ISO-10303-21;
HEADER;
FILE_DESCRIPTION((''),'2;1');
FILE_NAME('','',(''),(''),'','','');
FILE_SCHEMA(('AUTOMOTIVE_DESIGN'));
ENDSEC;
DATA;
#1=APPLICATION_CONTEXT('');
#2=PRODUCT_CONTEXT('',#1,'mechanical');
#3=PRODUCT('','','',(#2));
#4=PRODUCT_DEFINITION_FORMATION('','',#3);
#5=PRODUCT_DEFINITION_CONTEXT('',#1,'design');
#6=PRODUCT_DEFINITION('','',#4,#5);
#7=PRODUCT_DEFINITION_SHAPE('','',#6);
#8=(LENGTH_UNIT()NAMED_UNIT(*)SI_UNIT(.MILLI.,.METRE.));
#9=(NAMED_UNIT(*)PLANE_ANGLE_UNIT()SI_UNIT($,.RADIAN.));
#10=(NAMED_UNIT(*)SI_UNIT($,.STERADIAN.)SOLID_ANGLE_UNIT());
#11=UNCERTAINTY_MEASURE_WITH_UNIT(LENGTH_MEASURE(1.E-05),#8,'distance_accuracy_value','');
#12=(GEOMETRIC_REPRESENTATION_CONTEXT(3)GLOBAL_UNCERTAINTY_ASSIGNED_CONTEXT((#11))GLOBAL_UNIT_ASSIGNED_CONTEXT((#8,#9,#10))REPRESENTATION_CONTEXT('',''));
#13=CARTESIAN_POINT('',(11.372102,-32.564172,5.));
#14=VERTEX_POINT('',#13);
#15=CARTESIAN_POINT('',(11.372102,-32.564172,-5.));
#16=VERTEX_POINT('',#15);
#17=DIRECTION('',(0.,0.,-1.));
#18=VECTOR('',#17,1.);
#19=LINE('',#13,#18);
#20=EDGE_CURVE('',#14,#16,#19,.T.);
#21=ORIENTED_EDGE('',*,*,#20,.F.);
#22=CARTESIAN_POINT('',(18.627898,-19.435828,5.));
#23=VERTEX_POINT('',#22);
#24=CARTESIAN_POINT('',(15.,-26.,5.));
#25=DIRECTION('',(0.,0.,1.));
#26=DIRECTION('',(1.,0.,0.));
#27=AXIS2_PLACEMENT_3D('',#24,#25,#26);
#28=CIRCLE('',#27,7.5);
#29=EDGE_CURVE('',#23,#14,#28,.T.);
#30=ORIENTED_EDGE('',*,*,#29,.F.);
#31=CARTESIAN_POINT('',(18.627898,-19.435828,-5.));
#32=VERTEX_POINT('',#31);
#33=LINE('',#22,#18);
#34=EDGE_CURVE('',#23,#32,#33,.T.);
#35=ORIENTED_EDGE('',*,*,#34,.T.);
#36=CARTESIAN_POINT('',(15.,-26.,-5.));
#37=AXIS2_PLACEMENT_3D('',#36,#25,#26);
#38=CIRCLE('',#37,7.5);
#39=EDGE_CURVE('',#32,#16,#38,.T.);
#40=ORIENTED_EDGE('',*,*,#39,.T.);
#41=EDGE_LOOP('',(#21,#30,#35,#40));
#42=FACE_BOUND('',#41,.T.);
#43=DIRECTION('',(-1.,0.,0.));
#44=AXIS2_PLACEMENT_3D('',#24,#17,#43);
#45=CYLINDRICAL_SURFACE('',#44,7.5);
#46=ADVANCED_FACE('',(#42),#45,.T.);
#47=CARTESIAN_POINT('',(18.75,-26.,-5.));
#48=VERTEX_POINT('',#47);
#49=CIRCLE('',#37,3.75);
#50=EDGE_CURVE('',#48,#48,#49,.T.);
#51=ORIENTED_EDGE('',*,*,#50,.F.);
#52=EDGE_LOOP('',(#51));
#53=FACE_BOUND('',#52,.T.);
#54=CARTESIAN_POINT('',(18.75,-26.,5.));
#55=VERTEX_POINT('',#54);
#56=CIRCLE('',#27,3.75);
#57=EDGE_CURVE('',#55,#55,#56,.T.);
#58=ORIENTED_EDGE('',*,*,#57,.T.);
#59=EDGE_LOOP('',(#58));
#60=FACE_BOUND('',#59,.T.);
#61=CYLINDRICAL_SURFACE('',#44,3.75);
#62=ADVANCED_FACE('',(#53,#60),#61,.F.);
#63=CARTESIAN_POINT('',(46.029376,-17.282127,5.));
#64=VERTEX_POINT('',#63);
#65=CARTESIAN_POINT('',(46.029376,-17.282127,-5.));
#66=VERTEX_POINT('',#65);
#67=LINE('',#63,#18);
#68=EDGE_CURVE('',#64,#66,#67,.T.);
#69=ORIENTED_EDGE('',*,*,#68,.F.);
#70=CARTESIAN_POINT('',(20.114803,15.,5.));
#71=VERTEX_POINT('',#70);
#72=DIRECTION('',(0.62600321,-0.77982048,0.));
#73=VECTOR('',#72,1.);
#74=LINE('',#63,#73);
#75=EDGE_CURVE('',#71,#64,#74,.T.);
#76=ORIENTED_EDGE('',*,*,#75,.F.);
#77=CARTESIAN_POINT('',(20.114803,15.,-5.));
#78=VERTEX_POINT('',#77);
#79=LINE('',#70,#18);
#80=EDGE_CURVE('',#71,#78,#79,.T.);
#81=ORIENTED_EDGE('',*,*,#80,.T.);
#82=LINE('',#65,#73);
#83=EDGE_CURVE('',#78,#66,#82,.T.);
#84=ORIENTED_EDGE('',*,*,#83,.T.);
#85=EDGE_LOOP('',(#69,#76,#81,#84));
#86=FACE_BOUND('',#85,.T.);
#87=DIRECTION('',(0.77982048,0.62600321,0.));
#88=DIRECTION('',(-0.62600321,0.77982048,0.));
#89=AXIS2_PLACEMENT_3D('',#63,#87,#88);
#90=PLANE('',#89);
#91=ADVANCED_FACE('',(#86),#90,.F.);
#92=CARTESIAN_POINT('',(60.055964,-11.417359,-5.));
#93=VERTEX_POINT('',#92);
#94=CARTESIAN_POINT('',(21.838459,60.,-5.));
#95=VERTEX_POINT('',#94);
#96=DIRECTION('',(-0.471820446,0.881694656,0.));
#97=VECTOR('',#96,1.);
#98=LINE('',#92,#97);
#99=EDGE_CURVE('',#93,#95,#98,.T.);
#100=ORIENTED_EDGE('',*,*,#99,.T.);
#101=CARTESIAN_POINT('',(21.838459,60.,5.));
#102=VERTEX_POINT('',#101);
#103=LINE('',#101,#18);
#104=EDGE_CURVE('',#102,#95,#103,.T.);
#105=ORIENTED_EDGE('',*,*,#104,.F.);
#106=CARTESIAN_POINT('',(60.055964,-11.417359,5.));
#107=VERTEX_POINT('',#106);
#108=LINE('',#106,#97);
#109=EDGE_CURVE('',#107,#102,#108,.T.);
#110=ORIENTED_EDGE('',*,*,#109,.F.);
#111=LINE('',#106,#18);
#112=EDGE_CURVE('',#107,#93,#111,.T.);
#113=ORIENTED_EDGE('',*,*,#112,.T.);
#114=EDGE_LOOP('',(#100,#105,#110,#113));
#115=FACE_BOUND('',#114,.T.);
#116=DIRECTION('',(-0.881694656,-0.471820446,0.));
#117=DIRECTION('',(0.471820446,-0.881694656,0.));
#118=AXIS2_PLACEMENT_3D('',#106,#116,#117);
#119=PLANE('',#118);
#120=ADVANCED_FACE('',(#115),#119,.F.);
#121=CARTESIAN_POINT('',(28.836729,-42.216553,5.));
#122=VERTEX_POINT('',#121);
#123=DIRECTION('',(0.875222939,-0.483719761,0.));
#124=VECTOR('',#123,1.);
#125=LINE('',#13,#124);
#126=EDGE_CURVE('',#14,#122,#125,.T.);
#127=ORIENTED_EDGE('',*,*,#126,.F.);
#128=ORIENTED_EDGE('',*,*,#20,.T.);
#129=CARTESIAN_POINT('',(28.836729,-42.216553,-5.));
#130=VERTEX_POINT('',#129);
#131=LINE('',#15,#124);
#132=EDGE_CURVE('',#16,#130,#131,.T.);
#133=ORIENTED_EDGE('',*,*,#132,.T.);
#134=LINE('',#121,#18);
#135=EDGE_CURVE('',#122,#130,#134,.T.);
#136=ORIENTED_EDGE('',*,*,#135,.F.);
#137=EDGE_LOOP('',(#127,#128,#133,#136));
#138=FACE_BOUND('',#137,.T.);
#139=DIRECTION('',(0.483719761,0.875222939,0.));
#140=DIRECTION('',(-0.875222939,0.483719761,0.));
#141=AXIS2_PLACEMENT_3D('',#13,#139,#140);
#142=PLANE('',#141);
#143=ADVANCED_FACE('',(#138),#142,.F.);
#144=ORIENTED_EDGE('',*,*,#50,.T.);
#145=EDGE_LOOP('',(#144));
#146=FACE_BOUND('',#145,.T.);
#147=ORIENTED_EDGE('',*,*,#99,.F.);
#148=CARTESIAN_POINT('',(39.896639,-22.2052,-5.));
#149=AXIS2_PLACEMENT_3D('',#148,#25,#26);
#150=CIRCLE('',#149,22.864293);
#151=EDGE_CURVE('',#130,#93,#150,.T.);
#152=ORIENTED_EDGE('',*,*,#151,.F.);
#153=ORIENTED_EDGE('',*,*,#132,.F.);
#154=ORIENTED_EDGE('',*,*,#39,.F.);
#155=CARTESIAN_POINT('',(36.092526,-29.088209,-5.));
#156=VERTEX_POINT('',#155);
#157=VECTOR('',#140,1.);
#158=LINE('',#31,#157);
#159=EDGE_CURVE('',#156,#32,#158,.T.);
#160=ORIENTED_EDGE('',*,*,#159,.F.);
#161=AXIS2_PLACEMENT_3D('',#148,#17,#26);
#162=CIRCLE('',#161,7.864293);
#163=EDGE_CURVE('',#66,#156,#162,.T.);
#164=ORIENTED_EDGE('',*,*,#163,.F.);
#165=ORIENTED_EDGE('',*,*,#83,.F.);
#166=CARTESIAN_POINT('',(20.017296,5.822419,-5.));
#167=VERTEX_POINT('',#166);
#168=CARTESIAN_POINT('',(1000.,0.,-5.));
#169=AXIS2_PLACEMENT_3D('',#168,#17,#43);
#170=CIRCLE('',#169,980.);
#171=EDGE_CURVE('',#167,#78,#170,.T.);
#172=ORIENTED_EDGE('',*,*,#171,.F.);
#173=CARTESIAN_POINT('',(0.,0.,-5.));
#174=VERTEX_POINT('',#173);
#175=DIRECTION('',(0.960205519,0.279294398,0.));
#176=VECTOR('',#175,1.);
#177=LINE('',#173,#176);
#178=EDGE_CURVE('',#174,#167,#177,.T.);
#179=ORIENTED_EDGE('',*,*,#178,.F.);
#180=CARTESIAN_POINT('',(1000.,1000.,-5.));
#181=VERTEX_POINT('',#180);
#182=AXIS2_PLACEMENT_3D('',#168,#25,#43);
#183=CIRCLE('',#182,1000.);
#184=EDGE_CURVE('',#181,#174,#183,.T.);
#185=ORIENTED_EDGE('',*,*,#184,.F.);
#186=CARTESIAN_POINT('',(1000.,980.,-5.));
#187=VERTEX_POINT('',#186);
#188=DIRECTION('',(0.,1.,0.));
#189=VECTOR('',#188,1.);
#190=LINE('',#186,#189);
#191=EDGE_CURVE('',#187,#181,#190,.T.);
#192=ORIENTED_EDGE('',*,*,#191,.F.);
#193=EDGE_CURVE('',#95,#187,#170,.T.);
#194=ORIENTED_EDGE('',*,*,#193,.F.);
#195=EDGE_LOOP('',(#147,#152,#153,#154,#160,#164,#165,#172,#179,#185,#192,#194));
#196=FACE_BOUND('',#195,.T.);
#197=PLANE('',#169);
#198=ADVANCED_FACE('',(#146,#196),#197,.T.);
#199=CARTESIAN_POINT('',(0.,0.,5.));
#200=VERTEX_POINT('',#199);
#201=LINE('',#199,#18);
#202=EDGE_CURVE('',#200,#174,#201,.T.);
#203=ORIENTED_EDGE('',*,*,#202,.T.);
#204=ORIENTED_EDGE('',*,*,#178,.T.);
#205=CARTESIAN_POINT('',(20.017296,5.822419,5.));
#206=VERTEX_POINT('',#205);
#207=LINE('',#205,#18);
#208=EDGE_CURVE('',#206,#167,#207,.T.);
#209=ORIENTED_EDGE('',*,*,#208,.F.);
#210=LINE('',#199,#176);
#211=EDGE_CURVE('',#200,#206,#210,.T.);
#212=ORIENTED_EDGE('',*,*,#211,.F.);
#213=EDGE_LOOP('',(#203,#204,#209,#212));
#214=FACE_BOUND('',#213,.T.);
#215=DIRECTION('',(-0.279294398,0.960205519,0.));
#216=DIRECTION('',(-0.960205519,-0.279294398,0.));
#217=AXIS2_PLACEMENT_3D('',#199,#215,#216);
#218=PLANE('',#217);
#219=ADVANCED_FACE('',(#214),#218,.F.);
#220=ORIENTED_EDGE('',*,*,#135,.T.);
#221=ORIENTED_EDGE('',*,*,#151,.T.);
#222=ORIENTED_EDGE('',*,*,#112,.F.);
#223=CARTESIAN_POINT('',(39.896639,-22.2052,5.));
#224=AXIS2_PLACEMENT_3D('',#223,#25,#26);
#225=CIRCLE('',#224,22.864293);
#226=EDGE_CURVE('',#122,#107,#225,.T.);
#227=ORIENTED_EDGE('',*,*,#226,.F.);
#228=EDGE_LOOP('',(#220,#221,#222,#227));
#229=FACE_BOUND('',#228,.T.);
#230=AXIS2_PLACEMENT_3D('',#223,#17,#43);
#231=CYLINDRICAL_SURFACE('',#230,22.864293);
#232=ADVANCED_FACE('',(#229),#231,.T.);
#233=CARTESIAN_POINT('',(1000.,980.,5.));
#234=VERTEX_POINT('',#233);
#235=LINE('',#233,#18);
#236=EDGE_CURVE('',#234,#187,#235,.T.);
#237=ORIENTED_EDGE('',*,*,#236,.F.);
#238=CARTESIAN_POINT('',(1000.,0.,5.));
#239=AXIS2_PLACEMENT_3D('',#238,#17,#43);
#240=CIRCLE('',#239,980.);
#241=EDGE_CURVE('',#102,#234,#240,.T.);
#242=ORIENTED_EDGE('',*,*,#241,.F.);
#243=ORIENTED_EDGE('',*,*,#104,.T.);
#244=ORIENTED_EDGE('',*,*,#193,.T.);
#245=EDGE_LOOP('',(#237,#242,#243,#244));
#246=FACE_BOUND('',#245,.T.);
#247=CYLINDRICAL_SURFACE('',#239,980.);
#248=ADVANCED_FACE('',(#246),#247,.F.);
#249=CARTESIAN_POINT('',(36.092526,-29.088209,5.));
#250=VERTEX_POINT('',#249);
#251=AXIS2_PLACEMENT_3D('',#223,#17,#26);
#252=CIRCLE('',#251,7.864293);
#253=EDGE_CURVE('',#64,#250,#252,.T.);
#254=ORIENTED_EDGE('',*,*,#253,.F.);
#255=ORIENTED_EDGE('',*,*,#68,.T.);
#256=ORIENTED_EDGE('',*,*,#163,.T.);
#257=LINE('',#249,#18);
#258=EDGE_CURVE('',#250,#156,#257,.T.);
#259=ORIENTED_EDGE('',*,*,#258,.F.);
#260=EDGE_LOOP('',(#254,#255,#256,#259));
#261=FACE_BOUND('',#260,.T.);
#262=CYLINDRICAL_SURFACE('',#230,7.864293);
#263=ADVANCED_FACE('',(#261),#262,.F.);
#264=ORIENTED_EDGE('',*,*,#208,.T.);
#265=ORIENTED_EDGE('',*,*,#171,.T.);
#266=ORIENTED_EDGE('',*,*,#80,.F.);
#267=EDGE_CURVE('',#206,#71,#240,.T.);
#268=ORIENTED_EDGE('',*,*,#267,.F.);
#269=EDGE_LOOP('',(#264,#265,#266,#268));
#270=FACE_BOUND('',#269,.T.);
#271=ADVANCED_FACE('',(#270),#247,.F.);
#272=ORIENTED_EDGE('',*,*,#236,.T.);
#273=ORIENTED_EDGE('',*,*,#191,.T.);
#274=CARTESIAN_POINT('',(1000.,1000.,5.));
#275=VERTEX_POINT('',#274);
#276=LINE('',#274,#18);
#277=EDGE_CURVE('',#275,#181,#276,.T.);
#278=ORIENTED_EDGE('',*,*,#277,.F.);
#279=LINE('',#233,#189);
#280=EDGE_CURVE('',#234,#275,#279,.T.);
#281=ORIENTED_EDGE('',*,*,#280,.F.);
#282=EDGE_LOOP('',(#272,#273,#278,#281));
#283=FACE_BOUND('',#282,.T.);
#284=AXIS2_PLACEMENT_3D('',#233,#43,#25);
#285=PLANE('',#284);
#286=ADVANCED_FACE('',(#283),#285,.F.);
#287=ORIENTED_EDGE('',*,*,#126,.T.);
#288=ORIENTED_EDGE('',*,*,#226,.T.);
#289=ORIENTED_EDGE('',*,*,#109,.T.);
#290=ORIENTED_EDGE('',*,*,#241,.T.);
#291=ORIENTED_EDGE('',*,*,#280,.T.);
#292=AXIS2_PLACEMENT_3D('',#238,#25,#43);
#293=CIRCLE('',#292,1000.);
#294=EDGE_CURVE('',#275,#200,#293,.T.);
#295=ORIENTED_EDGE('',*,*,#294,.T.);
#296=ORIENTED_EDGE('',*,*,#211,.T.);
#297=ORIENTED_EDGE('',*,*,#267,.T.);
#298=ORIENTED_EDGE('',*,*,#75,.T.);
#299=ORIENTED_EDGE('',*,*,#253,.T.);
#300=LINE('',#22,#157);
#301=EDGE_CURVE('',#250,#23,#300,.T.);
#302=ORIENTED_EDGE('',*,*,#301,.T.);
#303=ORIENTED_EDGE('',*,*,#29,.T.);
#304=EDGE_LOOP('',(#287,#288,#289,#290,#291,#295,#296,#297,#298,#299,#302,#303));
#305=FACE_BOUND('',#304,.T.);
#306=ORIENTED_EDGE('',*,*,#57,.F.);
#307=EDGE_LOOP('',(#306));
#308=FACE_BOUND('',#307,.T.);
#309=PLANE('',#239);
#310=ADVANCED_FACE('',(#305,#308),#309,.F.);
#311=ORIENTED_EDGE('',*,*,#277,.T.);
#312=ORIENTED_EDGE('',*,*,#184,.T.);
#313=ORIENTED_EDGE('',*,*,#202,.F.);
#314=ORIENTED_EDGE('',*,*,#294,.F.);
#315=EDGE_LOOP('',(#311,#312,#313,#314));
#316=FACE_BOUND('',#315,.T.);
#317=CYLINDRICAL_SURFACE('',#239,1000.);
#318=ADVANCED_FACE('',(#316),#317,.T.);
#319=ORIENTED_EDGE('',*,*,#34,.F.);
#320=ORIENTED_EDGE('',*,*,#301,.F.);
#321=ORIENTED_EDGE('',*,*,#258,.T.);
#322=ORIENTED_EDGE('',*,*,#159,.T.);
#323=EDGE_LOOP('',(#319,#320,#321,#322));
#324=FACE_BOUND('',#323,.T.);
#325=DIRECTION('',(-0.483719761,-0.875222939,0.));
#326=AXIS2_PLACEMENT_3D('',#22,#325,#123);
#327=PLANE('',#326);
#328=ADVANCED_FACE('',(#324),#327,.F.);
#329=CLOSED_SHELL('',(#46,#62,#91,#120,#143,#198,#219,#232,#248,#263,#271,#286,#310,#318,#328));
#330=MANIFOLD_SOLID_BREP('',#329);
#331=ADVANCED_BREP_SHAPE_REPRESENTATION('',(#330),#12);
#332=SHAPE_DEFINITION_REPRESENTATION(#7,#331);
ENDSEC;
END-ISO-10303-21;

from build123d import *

# Parameters (mm, degrees)
SKETCH5_R           = 3.75
BOSS_EXTRUDE1_DEPTH = 5


with BuildPart() as part:
    # Sketch5 → Boss-Extrude1 (new, symmetric)
    with BuildSketch(Plane.XY):
        with BuildLine():
            Line((1000, 980), (1000, 1000))
            ThreePointArc((1000, 1000), (292.893218813, 707.106781187), (0, 0))
            Line((0, 0), (20.017296358, 5.822418881))
            ThreePointArc((20.017296358, 5.822418881), (20.055305468, 10.411323589), (20.114802643, 15))
            Line((20.114802643, 15), (46.029376088, -17.282126934))
            ThreePointArc((46.029376088, -17.282126934), (45.913408903, -27.269346828), (36.092525555, -29.08820907))
            Line((36.092525555, -29.08820907), (18.627898207, -19.435827958))
            ThreePointArc((18.627898207, -19.435827958), (8.435827958, -22.372101793), (11.372101793, -32.564172042))
            Line((11.372101793, -32.564172042), (28.836729142, -42.216553154))
            ThreePointArc((28.836729142, -42.216553154), (55.954267895, -38.481822572), (60.055964287, -11.417358652))
            Line((60.055964287, -11.417358652), (21.838459149, 60))
            ThreePointArc((21.838459149, 60), (328.583586736, 713.862731903), (1000, 980))
        make_face()
        with Locations((15, -26)):
            Circle(SKETCH5_R, mode=Mode.SUBTRACT)
    extrude(amount=BOSS_EXTRUDE1_DEPTH, both=True)


solid = part.part
